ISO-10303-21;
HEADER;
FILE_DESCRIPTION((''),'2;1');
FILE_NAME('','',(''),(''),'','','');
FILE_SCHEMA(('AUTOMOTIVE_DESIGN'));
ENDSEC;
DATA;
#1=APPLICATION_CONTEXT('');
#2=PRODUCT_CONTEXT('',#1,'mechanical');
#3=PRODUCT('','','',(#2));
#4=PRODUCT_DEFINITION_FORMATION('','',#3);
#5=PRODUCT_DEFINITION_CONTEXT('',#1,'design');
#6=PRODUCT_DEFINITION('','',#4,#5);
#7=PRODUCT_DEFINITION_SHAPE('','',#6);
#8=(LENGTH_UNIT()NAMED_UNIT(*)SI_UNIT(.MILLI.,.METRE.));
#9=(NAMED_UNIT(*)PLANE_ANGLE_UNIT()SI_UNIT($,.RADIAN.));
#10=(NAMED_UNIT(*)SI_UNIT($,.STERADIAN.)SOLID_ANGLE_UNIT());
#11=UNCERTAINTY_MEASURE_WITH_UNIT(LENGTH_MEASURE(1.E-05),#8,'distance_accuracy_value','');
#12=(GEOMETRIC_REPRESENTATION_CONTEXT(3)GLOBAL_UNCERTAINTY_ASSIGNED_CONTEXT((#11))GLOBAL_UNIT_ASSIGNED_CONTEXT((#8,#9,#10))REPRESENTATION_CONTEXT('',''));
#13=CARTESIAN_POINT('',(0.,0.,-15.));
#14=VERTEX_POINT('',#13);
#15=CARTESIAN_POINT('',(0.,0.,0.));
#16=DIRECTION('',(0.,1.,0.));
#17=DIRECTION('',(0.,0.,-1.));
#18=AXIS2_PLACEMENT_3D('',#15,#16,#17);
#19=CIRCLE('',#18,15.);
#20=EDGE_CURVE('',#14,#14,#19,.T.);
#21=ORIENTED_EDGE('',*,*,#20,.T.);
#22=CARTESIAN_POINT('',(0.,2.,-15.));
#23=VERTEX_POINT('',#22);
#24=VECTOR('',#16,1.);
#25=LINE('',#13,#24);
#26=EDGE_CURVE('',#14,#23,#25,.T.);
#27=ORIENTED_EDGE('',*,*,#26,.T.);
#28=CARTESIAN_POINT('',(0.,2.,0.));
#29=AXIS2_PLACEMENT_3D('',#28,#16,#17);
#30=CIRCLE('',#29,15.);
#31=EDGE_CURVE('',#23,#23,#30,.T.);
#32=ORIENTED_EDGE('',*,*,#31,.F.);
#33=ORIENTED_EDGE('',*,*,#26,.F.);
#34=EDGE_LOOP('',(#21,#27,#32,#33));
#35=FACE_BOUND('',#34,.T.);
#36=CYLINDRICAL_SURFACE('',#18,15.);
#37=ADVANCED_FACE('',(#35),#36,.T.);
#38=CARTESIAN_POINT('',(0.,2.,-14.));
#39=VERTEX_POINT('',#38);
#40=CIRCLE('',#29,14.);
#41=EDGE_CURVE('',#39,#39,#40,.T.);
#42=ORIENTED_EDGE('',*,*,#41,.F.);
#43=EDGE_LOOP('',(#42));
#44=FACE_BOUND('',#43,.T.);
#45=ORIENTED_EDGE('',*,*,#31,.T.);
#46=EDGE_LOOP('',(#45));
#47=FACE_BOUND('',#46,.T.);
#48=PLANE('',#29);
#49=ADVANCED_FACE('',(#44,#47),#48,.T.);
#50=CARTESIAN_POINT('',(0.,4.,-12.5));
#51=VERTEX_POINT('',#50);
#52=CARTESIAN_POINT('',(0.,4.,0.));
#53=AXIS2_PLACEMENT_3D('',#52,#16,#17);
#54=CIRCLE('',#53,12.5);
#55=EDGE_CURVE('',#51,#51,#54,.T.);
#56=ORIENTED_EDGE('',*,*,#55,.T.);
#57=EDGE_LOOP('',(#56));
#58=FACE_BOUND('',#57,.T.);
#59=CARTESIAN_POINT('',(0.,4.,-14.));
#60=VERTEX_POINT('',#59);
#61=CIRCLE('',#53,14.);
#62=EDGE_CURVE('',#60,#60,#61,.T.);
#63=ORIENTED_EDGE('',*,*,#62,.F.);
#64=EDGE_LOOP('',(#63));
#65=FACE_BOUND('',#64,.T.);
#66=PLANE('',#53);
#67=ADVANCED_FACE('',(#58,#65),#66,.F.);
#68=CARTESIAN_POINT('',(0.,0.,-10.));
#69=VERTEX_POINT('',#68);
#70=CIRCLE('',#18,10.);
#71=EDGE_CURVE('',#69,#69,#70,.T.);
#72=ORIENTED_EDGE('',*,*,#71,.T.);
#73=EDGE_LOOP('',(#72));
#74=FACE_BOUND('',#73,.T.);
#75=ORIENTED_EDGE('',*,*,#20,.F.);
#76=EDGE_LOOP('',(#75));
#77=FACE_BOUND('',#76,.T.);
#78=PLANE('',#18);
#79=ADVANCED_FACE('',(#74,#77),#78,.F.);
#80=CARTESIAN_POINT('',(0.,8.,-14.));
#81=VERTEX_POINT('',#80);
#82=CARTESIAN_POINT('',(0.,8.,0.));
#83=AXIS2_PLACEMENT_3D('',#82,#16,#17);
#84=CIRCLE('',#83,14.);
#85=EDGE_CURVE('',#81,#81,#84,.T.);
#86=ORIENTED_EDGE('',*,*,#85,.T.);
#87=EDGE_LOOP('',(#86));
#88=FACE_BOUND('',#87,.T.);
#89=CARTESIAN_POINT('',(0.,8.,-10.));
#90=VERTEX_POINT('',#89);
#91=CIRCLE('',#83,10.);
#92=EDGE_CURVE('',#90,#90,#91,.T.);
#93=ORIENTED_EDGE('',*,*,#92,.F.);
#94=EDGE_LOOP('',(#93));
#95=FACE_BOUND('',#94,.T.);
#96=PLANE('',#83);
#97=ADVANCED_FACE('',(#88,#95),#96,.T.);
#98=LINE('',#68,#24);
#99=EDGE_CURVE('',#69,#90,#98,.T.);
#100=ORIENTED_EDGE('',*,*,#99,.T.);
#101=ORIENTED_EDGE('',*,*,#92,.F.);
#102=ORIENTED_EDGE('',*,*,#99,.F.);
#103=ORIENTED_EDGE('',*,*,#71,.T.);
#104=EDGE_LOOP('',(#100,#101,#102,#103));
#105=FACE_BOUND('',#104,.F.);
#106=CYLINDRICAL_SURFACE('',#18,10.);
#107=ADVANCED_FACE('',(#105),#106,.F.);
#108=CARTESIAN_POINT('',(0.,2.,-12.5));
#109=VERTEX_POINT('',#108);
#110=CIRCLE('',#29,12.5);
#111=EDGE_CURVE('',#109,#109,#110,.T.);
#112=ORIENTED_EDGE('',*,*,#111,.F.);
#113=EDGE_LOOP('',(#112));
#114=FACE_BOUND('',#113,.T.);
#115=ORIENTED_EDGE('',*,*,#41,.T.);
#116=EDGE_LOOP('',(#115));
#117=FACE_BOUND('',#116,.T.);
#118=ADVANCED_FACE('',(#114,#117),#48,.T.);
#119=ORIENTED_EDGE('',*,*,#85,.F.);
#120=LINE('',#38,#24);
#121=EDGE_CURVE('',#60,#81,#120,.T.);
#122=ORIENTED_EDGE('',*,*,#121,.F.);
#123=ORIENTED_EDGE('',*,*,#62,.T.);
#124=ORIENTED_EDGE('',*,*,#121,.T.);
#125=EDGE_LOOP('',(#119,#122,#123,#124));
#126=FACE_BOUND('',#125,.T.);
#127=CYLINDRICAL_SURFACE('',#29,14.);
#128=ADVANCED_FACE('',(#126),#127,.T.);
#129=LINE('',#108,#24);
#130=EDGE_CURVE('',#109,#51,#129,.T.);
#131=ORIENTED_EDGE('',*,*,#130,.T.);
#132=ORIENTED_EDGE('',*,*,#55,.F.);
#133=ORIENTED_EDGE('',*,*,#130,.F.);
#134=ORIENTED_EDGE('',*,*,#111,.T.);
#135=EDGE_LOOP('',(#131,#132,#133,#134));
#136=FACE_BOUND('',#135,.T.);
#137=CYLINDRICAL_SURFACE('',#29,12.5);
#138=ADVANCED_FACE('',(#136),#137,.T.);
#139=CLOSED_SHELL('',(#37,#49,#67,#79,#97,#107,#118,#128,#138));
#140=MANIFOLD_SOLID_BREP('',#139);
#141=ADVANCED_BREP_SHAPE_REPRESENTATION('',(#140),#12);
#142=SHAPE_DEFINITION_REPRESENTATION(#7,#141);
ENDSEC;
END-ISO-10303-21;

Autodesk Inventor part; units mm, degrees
ref_plane "YZ Plane" through (0, 0, 0) normal (1, 0, 0) x (0, 1, 0)
ref_plane "XZ Plane" through (0, 0, 0) normal (0, 1, 0) x (-1, 0, 0)
ref_plane "XY Plane" through (0, 0, 0) normal (0, 0, 1) x (1, 0, 0)
sketch "Sketch1" plane through (0, 0, 0) normal (1, 0, 0) x (0, 1, 0)
  line L0 (0, 0) -> (7.3009, 0)
  line L1 (0, -10) -> (8, -10)
  line L2 (0, -10) -> (0, -15)
  line L3 (0, -15) -> (2, -15)
  line L4 (2, -15) -> (2, -14)
  line L5 (2, -14) -> (8, -14)
  line L6 (8, -14) -> (8, -10)
  line L7 (2, -14) -> (2, -12.5)
  line L8 (2, -12.5) -> (4, -12.5)
  line L9 (4, -12.5) -> (4, -14)
  point P0 (4, -10)
  dimension "d0" = 20
  dimension "d1" = 6
  dimension "d2" = 2
  dimension "d3" = 28
  dimension "d4" = 30
  dimension "d8" = 2
  dimension "d9" = 1.5
revolve "Revolution1" add sketch "Sketch1" angle 360 about axis through (0, 0, 0) along (0, 1, 0) contours L1 L6 L5 L9 L8 L7 L4 L3 L2
thread "Thread1" size "M28x1" class "6g" standard "ANSI Metric M Profile" full length
properties part number "034" material "Stainless Steel, Austenitic"
